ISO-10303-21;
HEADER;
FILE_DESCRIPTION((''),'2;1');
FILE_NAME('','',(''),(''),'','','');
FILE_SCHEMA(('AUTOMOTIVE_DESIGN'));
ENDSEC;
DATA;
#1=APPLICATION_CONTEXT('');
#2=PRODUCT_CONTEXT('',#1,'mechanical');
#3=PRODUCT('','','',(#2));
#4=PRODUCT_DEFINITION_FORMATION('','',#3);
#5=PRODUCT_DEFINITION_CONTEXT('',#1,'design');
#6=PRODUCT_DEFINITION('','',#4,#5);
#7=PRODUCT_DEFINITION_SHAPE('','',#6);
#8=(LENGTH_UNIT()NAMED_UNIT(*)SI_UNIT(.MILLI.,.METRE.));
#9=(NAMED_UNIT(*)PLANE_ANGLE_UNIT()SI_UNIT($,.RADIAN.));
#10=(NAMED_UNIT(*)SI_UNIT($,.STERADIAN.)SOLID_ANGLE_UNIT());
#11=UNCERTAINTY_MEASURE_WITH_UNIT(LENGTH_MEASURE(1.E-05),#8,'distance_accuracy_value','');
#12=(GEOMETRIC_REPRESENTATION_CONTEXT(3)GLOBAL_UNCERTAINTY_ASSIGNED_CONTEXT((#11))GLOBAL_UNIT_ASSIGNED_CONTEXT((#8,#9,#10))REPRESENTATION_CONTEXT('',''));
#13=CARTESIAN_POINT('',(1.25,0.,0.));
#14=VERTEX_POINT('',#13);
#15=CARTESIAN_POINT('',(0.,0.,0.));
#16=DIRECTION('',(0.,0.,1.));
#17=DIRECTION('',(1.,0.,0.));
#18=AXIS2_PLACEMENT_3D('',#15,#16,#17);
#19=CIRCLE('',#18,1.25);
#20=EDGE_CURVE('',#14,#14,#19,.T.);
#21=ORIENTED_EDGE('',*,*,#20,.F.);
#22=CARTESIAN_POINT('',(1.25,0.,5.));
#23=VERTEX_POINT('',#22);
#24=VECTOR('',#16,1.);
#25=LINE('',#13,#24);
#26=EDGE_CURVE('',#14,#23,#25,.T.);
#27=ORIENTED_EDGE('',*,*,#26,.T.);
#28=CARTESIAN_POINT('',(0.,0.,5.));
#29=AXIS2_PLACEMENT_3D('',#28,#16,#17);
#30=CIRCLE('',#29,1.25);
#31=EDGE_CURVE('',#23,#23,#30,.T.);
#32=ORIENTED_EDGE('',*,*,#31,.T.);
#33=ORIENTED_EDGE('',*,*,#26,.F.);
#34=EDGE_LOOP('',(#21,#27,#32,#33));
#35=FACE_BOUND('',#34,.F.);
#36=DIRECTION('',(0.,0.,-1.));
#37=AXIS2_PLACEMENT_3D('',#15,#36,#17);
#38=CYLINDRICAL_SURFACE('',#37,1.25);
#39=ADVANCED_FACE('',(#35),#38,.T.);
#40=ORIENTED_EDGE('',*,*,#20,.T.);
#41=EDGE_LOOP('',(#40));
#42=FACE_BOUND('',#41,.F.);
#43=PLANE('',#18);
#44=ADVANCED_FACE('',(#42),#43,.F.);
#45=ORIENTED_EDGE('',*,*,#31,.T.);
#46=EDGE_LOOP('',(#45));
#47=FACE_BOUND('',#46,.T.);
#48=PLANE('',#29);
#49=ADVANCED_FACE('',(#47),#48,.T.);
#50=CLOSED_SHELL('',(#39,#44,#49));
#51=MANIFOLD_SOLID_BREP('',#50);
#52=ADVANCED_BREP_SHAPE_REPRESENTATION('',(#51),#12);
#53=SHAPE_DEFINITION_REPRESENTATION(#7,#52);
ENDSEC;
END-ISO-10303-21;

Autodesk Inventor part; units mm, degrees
ref_plane "YZ Plane" through (0, 0, 0) normal (1, 0, 0) x (0, 1, 0)
ref_plane "XZ Plane" through (0, 0, 0) normal (0, 1, 0) x (-1, 0, 0)
ref_plane "XY Plane" through (0, 0, 0) normal (0, 0, 1) x (1, 0, 0)
sketch "Sketch1" plane through (0, 0, 0) normal (0, 0, 1) x (1, 0, 0)
  circle A0 centre (0, 0) radius 1.25
  dimension "d0" = 2.5
extrude "Extrusion1" add sketch "Sketch1" along normal blind 5
properties part number "arm cylinder"
